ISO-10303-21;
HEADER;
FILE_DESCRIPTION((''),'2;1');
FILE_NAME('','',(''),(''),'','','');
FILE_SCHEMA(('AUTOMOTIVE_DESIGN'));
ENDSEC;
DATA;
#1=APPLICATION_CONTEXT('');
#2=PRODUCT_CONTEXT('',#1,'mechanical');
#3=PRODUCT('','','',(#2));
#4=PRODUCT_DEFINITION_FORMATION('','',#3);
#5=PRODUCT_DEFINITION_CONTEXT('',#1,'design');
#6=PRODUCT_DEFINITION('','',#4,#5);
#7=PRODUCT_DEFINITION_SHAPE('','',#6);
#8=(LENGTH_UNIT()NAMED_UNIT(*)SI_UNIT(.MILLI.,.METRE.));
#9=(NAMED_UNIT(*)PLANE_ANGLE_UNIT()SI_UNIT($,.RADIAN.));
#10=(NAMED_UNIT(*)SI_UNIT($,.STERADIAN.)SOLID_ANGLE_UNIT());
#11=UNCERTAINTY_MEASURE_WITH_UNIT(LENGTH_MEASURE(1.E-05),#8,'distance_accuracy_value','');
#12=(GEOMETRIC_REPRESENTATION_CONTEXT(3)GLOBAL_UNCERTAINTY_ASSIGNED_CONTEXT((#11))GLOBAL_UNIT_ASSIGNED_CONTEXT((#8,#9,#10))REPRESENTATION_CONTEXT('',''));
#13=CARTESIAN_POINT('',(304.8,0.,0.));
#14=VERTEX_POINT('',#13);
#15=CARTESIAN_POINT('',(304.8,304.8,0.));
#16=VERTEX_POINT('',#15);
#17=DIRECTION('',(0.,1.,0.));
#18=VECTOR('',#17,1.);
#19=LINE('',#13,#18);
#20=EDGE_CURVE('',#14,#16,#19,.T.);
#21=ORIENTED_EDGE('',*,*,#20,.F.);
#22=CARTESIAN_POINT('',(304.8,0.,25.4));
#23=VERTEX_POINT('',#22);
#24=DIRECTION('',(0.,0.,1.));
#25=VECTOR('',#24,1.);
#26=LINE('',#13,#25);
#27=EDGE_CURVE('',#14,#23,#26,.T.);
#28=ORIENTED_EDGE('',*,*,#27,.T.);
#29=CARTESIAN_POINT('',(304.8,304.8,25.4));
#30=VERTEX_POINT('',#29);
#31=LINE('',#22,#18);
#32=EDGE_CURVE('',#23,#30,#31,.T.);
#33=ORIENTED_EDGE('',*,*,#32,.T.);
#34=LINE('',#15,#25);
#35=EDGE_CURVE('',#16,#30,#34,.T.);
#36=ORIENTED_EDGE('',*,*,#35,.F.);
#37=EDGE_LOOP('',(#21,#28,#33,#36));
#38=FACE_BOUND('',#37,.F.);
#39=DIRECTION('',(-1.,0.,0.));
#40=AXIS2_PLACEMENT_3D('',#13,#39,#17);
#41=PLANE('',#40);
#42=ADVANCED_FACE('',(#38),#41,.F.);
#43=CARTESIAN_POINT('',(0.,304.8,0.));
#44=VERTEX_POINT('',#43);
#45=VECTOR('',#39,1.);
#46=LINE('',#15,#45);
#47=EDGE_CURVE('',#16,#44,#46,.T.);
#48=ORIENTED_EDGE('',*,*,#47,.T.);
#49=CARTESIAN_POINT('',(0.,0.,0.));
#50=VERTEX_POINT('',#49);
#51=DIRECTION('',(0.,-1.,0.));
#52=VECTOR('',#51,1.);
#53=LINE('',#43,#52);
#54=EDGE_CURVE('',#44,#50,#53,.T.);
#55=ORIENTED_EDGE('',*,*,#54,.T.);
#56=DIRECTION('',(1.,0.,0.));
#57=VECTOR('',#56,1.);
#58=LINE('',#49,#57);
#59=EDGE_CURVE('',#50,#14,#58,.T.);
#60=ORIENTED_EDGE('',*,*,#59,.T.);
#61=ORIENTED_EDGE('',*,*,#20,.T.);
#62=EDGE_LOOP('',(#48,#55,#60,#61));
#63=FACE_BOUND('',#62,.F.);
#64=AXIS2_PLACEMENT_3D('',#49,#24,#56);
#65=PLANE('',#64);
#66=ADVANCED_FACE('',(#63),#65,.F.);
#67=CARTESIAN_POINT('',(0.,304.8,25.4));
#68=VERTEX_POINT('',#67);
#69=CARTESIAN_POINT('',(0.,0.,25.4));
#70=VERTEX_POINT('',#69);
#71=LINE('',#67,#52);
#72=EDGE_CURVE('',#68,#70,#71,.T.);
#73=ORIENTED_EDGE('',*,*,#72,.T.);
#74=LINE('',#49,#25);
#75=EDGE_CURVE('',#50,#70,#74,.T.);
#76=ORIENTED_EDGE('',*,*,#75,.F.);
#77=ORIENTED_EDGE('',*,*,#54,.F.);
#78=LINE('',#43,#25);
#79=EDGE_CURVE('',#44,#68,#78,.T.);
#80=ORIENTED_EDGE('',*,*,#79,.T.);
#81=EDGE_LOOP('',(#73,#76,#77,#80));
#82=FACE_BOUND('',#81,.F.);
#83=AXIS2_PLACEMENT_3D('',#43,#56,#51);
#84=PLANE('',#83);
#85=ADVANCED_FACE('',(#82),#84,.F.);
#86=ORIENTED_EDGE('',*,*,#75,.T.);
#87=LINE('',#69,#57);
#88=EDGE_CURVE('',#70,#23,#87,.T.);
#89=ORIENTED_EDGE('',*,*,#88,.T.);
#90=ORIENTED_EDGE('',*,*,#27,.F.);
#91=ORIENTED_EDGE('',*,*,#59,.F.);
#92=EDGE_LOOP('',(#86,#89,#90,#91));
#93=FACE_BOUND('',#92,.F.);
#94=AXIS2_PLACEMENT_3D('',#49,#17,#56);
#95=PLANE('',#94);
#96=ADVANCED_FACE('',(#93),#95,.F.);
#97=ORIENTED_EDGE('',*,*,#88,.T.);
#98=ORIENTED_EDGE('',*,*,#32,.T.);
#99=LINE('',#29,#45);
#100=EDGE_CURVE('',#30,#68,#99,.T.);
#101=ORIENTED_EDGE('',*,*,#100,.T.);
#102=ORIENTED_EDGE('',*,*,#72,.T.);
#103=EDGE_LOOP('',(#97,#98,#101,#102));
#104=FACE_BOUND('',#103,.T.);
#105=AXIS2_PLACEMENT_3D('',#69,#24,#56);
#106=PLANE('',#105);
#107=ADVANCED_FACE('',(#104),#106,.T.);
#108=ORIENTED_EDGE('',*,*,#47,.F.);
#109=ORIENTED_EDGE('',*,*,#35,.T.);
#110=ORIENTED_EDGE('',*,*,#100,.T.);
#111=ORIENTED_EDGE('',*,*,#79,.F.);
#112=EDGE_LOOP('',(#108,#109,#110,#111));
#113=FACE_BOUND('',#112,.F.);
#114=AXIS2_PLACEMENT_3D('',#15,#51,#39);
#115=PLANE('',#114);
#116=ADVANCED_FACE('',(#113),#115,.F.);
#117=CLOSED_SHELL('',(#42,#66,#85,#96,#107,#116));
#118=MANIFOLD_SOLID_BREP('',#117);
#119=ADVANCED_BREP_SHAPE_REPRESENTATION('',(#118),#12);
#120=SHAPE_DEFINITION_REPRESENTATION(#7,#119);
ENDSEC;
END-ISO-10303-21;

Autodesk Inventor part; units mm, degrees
ref_plane "YZ Plane" through (0, 0, 0) normal (1, 0, 0) x (0, 1, 0)
ref_plane "XZ Plane" through (0, 0, 0) normal (0, 1, 0) x (-1, 0, 0)
ref_plane "XY Plane" through (0, 0, 0) normal (0, 0, 1) x (1, 0, 0)
sketch "Sketch1" plane through (0, 0, 0) normal (0, 0, 1) x (1, 0, 0)
  line L0 (0, 0) -> (304.8, 0)
  line L1 (304.8, 0) -> (304.8, 304.8)
  line L2 (304.8, 304.8) -> (0, 304.8)
  line L3 (0, 304.8) -> (0, 0)
  dimension "d0" = 304.8
  dimension "d1" = 304.8
extrude "Extrusion1" add sketch "Sketch1" along normal blind 25.4
properties part number "Standard - Milalno" material "Limestone"
